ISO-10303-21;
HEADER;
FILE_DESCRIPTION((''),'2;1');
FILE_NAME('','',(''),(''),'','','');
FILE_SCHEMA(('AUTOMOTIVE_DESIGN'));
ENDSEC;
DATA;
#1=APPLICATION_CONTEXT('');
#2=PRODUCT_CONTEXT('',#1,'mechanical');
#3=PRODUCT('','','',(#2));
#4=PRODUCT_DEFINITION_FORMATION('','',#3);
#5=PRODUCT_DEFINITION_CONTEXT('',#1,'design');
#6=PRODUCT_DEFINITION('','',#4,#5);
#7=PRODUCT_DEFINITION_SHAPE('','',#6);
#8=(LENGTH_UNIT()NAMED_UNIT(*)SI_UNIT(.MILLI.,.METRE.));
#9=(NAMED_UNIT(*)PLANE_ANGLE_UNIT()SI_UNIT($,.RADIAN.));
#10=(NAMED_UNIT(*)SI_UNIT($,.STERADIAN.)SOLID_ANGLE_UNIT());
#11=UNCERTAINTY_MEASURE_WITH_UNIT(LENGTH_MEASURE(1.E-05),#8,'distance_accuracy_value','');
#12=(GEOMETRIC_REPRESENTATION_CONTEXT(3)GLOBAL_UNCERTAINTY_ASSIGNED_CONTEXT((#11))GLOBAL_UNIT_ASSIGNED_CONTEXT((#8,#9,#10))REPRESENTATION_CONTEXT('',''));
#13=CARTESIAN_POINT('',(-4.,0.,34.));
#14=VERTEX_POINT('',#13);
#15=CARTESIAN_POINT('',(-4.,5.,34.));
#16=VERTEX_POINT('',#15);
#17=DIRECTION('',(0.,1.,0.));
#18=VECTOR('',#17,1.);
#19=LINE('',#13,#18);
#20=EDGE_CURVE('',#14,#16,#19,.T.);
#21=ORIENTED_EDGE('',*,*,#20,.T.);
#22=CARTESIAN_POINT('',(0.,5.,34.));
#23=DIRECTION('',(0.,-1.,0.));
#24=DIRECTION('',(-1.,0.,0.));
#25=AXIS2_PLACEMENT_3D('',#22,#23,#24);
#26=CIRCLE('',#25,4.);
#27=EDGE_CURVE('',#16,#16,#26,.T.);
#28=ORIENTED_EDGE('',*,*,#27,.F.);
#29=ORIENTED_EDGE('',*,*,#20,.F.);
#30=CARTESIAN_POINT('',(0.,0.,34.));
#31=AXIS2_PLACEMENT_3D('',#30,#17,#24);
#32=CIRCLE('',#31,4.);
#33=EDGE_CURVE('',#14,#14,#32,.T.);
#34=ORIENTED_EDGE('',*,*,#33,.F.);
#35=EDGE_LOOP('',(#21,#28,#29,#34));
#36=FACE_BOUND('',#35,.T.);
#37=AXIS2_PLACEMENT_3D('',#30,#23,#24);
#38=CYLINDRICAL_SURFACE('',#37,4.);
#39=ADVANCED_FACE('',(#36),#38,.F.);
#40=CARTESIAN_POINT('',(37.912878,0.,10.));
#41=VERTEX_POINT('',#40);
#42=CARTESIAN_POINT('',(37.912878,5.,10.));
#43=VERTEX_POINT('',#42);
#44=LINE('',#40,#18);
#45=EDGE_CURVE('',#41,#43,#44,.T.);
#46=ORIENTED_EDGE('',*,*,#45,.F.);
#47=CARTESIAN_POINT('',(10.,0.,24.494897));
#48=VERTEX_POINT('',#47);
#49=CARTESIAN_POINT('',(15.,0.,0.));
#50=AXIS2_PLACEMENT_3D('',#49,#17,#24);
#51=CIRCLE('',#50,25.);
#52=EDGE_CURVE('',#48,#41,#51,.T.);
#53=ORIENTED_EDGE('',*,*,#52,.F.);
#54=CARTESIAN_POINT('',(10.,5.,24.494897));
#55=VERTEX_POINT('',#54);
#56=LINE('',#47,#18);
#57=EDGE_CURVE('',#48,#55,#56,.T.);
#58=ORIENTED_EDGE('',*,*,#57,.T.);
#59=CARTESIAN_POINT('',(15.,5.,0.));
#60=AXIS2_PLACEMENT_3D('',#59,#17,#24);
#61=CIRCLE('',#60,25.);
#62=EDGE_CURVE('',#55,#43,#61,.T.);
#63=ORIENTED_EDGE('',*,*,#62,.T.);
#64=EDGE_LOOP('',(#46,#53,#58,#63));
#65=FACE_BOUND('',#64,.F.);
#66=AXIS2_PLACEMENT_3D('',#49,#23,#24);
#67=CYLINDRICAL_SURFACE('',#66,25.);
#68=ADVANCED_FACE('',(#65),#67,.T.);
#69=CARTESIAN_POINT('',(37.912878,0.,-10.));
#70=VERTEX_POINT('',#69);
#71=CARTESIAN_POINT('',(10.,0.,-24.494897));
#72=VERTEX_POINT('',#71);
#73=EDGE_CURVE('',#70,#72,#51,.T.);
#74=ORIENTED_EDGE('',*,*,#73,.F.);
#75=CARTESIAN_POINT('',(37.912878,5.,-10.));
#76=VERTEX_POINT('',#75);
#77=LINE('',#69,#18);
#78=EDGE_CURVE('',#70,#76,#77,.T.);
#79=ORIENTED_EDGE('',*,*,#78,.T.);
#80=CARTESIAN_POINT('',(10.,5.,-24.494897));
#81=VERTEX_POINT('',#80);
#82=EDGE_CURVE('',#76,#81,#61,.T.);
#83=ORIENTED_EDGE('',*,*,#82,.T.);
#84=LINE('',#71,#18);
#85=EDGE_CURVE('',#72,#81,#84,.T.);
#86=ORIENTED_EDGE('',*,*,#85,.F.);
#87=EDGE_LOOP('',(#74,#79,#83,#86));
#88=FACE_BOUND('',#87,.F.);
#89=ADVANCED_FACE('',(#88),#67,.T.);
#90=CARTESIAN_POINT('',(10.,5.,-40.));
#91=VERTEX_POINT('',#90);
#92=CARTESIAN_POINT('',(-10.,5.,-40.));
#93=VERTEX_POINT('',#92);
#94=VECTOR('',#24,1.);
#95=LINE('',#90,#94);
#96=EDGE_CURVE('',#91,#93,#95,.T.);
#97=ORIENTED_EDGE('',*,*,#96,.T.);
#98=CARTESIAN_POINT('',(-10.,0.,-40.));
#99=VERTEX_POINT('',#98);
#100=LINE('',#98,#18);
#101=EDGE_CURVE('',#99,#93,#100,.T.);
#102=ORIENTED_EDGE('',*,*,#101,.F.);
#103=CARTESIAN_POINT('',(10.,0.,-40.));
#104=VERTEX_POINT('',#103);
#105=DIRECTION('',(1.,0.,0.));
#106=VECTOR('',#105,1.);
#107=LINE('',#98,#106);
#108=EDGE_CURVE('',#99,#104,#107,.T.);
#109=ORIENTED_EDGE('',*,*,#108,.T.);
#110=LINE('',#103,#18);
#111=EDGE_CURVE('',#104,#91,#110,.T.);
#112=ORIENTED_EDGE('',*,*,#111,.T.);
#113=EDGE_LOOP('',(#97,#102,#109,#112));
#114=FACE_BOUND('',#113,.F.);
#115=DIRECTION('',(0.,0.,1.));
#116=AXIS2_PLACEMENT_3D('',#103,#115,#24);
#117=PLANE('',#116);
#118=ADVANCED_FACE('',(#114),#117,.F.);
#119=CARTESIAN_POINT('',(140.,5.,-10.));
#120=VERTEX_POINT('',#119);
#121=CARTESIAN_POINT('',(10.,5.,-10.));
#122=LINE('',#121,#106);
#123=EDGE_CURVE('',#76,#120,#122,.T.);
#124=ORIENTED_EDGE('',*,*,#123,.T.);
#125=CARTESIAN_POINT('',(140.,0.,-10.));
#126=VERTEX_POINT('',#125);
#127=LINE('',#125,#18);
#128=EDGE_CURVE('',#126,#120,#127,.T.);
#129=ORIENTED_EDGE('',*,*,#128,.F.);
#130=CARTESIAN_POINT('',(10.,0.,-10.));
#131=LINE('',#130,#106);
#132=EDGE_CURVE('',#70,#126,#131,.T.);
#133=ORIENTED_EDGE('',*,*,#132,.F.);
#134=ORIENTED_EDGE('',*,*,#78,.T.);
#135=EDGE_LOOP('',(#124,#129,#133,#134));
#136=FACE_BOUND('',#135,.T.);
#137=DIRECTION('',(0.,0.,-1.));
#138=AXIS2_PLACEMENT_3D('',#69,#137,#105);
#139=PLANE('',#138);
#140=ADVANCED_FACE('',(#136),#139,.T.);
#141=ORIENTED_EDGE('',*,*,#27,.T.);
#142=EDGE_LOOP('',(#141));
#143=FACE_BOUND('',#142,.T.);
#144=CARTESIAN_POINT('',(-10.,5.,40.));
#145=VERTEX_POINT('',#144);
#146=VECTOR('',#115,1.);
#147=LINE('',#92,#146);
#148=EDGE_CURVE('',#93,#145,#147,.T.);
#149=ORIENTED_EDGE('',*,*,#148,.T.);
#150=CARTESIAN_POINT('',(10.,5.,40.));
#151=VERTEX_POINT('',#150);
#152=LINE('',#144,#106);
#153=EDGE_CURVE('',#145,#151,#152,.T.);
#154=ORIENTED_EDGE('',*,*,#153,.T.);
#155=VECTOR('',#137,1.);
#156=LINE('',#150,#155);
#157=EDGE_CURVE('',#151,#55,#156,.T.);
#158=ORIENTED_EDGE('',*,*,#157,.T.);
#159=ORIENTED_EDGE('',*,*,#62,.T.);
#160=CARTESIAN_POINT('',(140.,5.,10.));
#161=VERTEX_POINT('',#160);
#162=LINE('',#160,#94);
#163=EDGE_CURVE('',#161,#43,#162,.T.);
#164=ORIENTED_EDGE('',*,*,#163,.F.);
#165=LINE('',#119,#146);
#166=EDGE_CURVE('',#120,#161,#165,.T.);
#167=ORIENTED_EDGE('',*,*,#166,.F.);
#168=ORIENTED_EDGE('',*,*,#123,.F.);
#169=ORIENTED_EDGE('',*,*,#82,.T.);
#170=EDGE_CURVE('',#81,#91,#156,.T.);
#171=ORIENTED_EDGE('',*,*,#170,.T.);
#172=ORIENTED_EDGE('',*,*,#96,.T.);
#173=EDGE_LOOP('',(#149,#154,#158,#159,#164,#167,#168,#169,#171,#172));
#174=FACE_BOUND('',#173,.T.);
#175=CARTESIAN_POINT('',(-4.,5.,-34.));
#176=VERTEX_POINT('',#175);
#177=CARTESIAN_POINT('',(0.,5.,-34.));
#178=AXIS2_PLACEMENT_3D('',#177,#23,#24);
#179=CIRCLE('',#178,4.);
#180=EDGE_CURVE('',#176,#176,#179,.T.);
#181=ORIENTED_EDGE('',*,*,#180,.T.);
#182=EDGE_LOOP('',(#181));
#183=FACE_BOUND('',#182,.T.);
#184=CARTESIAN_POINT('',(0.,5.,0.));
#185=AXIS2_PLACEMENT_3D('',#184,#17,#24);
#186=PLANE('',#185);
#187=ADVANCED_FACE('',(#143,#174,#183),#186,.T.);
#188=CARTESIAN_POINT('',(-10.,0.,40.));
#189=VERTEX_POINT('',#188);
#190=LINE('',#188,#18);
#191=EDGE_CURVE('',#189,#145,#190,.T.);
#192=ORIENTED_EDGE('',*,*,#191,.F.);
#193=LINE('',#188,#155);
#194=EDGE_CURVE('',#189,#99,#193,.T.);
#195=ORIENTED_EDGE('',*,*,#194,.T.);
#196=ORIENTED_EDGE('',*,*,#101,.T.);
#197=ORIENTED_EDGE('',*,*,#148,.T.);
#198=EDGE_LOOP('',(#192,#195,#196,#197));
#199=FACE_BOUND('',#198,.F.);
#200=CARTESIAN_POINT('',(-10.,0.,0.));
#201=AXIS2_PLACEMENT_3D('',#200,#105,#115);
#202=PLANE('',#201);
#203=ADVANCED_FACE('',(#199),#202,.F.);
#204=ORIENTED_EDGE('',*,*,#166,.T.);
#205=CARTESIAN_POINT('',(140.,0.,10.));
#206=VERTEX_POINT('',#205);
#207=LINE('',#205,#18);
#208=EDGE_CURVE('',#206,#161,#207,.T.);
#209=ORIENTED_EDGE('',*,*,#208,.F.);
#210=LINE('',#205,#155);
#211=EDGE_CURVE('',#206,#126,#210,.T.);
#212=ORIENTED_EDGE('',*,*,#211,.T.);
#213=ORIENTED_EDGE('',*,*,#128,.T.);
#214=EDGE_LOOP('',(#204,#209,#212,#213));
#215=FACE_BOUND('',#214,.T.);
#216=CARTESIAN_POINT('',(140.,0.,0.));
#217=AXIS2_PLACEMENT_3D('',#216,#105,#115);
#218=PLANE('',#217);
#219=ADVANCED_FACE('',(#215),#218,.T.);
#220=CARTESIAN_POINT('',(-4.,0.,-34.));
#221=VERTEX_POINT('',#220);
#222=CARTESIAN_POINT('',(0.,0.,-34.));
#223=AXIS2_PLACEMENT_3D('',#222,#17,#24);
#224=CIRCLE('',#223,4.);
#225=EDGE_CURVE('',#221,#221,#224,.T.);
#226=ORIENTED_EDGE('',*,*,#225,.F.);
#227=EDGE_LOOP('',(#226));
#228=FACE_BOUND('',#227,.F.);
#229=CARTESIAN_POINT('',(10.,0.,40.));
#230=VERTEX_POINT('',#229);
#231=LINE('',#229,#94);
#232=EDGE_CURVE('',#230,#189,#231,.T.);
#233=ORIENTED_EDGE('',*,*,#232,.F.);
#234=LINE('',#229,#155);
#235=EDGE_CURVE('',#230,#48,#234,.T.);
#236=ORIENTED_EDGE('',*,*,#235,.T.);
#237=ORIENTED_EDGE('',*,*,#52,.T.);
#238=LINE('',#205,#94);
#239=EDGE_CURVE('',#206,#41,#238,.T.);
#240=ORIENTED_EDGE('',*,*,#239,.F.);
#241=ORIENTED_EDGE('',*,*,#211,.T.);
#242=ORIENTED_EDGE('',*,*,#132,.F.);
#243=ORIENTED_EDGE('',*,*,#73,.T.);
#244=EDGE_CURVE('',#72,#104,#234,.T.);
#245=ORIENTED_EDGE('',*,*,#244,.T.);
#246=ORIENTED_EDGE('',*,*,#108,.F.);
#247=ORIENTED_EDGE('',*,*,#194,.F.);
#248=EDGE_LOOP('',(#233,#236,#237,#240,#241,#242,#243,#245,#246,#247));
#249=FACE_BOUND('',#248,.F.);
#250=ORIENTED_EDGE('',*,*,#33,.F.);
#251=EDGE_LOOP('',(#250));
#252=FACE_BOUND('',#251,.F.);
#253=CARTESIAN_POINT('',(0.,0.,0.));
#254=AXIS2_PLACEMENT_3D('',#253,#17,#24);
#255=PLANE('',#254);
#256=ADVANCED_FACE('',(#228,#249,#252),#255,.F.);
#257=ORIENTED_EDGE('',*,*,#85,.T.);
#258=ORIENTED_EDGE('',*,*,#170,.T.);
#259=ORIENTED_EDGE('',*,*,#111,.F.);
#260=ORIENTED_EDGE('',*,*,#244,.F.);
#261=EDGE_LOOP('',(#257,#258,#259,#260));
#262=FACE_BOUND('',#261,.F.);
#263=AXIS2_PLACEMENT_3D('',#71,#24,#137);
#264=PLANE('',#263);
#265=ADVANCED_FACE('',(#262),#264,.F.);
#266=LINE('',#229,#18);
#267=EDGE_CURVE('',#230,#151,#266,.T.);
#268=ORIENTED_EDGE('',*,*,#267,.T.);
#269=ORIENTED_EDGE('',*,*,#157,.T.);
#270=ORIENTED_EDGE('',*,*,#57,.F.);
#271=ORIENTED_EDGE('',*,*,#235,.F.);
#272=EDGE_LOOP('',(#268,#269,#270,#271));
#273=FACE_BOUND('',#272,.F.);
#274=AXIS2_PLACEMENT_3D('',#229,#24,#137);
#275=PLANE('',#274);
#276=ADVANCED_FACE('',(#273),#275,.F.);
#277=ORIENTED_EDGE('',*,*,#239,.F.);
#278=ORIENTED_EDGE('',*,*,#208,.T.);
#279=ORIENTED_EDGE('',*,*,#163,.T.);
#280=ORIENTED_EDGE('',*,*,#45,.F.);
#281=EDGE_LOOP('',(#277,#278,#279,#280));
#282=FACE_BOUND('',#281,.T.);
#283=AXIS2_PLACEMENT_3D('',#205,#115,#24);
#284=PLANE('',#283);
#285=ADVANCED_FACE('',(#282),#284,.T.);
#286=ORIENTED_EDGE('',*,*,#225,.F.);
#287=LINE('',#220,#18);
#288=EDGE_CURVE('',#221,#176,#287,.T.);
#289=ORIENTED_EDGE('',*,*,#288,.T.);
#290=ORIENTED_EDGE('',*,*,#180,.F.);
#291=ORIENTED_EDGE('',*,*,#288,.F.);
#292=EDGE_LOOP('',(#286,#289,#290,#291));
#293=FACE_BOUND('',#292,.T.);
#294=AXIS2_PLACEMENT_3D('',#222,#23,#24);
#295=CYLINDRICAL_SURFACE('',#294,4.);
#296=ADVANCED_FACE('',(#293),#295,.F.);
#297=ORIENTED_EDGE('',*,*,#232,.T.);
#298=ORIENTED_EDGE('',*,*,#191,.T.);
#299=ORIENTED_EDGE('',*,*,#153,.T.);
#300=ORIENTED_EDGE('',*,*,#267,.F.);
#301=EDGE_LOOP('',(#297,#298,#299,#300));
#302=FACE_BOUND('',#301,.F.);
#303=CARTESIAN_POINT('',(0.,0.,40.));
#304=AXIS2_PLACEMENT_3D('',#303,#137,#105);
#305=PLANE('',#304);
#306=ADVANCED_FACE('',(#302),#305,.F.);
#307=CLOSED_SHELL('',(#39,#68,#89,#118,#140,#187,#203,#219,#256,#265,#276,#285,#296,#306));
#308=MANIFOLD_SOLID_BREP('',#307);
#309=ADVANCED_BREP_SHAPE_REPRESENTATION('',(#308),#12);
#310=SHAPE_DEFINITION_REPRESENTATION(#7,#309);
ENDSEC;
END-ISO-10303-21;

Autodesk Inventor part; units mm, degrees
ref_plane "YZ Plane" through (0, 0, 0) normal (1, 0, 0) x (0, 1, 0)
ref_plane "XZ Plane" through (0, 0, 0) normal (0, 1, 0) x (-1, 0, 0)
ref_plane "XY Plane" through (0, 0, 0) normal (0, 0, 1) x (1, 0, 0)
sketch "Sketch1" plane through (0, 0, 0) normal (0, 1, 0) x (-1, 0, 0)
  line L0 (-140, 10) -> (-10, 10)
  line L1 (-10, 10) -> (-10, -10)
  line L2 (-10, -10) -> (-140, -10)
  line L3 (-140, -10) -> (-140, 10)
  line L4 (-140, 10) -> (-10, -10) construction
  line L5 (-10, 10) -> (-140, -10) construction
  line L6 (10, 40) -> (-10, 40)
  line L7 (-10, 40) -> (-10, -40)
  line L8 (-10, -40) -> (10, -40)
  line L9 (10, -40) -> (10, 40)
  line L10 (10, 40) -> (-10, -40) construction
  line L11 (-10, 40) -> (10, -40) construction
  line L12 (40, 0) -> (-170, 0) projected
  line L13 (0, -56) -> (0, 56) projected
  circle A0 centre (-15, 0) radius 25
  circle A1 centre (0, 34) radius 4
  circle A2 centre (0, -34) radius 4
  point P0 (0, 0)
  point P1 (-75, 0)
  point P2 (0, 0)
  point P3 (-75, 0)
  point P4 (0, 0)
  point P5 (0, 0)
  point P6 (-37.9129, -10)
  point P7 (-10, -24.4949)
  point P8 (-10, 24.4949)
  point P9 (-37.9129, 10)
  dimension "d0" = 20
  dimension "d1" = 20
  dimension "d2" = 80
  dimension "d3" = 150
  dimension "d5" = 50
  dimension "d6" = 15
  dimension "d7" = 8
  dimension "d8" = 6
  dimension "d9" = 8
  dimension "d10" = 6
extrude "Extrusion1" add sketch "Sketch1" along normal blind 5 contours L0 A0 L12 L3 | A0 L7 L0 | L0 L1 L12 A0 | L12 A0 L2 L3 | L7 A0 L13 L12 L1 | L7 L6 L13 A1 A0 | L12 L1 L2 A0 | L12 L13 A0 L7 L1 | A0 L12 L13 | L13 A1 L6 L9 A0 | L2 L7 A0 | L12 A0 L13 | L9 L8 L13 A2 A0 | A0 L13 A2 L8 L7
equation "\"d0\" = AnEsl"
equation "\"d1\" = AnEsl"
equation "\"d9\" = d7"
equation "\"d10\" = d8"
equation "\"AnEsl\" = 20"
properties part number "T"
